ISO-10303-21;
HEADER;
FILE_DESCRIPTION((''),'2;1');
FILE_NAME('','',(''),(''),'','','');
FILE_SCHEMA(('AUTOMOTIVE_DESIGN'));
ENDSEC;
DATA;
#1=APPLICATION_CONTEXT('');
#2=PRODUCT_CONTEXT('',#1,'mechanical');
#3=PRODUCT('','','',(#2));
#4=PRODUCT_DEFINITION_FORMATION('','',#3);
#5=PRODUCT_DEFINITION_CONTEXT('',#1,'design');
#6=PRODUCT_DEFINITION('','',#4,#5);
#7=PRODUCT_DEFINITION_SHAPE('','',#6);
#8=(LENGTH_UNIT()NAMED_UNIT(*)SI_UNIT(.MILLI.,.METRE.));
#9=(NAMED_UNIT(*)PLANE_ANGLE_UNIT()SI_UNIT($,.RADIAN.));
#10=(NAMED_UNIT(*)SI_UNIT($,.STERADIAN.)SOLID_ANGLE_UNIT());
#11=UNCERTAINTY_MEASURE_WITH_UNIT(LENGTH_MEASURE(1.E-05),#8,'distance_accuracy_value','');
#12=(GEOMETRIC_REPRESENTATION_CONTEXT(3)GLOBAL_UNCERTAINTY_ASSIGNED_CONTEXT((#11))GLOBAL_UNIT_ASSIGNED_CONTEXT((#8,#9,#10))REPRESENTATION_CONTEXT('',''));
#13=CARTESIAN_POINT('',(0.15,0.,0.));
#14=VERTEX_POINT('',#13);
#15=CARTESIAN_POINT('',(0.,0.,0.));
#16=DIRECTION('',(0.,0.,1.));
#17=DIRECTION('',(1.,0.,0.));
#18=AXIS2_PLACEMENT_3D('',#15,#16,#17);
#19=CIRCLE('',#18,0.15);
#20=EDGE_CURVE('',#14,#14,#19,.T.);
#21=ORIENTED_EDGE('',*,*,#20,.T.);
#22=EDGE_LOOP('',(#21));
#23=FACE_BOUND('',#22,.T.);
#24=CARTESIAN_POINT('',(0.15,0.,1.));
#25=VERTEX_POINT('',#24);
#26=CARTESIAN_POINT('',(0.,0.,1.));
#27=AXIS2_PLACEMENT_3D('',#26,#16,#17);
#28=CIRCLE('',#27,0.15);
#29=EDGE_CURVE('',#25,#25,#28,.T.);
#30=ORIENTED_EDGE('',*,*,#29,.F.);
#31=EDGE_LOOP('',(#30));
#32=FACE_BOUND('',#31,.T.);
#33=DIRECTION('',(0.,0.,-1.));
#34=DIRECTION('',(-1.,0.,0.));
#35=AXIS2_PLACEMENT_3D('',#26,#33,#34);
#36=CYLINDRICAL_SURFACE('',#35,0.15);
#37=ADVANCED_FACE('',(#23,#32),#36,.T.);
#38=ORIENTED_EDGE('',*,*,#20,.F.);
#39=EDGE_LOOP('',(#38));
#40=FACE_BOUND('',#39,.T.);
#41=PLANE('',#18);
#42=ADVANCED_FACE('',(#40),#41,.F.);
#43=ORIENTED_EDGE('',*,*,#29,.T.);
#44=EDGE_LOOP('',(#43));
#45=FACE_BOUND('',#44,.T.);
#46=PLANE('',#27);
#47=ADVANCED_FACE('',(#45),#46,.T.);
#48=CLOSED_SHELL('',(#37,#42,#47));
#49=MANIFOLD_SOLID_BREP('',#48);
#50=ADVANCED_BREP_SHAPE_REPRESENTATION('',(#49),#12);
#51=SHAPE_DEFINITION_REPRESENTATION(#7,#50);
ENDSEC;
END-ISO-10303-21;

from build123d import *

# Parameters (mm, degrees)
SKETCH1_R           = 0.15
BOSS_EXTRUDE1_DEPTH = 1


with BuildPart() as part:
    # Sketch1 → Boss-Extrude1 (new body)
    with BuildSketch(Plane.XY):
        Circle(SKETCH1_R)
    extrude(amount=BOSS_EXTRUDE1_DEPTH)


solid = part.part
